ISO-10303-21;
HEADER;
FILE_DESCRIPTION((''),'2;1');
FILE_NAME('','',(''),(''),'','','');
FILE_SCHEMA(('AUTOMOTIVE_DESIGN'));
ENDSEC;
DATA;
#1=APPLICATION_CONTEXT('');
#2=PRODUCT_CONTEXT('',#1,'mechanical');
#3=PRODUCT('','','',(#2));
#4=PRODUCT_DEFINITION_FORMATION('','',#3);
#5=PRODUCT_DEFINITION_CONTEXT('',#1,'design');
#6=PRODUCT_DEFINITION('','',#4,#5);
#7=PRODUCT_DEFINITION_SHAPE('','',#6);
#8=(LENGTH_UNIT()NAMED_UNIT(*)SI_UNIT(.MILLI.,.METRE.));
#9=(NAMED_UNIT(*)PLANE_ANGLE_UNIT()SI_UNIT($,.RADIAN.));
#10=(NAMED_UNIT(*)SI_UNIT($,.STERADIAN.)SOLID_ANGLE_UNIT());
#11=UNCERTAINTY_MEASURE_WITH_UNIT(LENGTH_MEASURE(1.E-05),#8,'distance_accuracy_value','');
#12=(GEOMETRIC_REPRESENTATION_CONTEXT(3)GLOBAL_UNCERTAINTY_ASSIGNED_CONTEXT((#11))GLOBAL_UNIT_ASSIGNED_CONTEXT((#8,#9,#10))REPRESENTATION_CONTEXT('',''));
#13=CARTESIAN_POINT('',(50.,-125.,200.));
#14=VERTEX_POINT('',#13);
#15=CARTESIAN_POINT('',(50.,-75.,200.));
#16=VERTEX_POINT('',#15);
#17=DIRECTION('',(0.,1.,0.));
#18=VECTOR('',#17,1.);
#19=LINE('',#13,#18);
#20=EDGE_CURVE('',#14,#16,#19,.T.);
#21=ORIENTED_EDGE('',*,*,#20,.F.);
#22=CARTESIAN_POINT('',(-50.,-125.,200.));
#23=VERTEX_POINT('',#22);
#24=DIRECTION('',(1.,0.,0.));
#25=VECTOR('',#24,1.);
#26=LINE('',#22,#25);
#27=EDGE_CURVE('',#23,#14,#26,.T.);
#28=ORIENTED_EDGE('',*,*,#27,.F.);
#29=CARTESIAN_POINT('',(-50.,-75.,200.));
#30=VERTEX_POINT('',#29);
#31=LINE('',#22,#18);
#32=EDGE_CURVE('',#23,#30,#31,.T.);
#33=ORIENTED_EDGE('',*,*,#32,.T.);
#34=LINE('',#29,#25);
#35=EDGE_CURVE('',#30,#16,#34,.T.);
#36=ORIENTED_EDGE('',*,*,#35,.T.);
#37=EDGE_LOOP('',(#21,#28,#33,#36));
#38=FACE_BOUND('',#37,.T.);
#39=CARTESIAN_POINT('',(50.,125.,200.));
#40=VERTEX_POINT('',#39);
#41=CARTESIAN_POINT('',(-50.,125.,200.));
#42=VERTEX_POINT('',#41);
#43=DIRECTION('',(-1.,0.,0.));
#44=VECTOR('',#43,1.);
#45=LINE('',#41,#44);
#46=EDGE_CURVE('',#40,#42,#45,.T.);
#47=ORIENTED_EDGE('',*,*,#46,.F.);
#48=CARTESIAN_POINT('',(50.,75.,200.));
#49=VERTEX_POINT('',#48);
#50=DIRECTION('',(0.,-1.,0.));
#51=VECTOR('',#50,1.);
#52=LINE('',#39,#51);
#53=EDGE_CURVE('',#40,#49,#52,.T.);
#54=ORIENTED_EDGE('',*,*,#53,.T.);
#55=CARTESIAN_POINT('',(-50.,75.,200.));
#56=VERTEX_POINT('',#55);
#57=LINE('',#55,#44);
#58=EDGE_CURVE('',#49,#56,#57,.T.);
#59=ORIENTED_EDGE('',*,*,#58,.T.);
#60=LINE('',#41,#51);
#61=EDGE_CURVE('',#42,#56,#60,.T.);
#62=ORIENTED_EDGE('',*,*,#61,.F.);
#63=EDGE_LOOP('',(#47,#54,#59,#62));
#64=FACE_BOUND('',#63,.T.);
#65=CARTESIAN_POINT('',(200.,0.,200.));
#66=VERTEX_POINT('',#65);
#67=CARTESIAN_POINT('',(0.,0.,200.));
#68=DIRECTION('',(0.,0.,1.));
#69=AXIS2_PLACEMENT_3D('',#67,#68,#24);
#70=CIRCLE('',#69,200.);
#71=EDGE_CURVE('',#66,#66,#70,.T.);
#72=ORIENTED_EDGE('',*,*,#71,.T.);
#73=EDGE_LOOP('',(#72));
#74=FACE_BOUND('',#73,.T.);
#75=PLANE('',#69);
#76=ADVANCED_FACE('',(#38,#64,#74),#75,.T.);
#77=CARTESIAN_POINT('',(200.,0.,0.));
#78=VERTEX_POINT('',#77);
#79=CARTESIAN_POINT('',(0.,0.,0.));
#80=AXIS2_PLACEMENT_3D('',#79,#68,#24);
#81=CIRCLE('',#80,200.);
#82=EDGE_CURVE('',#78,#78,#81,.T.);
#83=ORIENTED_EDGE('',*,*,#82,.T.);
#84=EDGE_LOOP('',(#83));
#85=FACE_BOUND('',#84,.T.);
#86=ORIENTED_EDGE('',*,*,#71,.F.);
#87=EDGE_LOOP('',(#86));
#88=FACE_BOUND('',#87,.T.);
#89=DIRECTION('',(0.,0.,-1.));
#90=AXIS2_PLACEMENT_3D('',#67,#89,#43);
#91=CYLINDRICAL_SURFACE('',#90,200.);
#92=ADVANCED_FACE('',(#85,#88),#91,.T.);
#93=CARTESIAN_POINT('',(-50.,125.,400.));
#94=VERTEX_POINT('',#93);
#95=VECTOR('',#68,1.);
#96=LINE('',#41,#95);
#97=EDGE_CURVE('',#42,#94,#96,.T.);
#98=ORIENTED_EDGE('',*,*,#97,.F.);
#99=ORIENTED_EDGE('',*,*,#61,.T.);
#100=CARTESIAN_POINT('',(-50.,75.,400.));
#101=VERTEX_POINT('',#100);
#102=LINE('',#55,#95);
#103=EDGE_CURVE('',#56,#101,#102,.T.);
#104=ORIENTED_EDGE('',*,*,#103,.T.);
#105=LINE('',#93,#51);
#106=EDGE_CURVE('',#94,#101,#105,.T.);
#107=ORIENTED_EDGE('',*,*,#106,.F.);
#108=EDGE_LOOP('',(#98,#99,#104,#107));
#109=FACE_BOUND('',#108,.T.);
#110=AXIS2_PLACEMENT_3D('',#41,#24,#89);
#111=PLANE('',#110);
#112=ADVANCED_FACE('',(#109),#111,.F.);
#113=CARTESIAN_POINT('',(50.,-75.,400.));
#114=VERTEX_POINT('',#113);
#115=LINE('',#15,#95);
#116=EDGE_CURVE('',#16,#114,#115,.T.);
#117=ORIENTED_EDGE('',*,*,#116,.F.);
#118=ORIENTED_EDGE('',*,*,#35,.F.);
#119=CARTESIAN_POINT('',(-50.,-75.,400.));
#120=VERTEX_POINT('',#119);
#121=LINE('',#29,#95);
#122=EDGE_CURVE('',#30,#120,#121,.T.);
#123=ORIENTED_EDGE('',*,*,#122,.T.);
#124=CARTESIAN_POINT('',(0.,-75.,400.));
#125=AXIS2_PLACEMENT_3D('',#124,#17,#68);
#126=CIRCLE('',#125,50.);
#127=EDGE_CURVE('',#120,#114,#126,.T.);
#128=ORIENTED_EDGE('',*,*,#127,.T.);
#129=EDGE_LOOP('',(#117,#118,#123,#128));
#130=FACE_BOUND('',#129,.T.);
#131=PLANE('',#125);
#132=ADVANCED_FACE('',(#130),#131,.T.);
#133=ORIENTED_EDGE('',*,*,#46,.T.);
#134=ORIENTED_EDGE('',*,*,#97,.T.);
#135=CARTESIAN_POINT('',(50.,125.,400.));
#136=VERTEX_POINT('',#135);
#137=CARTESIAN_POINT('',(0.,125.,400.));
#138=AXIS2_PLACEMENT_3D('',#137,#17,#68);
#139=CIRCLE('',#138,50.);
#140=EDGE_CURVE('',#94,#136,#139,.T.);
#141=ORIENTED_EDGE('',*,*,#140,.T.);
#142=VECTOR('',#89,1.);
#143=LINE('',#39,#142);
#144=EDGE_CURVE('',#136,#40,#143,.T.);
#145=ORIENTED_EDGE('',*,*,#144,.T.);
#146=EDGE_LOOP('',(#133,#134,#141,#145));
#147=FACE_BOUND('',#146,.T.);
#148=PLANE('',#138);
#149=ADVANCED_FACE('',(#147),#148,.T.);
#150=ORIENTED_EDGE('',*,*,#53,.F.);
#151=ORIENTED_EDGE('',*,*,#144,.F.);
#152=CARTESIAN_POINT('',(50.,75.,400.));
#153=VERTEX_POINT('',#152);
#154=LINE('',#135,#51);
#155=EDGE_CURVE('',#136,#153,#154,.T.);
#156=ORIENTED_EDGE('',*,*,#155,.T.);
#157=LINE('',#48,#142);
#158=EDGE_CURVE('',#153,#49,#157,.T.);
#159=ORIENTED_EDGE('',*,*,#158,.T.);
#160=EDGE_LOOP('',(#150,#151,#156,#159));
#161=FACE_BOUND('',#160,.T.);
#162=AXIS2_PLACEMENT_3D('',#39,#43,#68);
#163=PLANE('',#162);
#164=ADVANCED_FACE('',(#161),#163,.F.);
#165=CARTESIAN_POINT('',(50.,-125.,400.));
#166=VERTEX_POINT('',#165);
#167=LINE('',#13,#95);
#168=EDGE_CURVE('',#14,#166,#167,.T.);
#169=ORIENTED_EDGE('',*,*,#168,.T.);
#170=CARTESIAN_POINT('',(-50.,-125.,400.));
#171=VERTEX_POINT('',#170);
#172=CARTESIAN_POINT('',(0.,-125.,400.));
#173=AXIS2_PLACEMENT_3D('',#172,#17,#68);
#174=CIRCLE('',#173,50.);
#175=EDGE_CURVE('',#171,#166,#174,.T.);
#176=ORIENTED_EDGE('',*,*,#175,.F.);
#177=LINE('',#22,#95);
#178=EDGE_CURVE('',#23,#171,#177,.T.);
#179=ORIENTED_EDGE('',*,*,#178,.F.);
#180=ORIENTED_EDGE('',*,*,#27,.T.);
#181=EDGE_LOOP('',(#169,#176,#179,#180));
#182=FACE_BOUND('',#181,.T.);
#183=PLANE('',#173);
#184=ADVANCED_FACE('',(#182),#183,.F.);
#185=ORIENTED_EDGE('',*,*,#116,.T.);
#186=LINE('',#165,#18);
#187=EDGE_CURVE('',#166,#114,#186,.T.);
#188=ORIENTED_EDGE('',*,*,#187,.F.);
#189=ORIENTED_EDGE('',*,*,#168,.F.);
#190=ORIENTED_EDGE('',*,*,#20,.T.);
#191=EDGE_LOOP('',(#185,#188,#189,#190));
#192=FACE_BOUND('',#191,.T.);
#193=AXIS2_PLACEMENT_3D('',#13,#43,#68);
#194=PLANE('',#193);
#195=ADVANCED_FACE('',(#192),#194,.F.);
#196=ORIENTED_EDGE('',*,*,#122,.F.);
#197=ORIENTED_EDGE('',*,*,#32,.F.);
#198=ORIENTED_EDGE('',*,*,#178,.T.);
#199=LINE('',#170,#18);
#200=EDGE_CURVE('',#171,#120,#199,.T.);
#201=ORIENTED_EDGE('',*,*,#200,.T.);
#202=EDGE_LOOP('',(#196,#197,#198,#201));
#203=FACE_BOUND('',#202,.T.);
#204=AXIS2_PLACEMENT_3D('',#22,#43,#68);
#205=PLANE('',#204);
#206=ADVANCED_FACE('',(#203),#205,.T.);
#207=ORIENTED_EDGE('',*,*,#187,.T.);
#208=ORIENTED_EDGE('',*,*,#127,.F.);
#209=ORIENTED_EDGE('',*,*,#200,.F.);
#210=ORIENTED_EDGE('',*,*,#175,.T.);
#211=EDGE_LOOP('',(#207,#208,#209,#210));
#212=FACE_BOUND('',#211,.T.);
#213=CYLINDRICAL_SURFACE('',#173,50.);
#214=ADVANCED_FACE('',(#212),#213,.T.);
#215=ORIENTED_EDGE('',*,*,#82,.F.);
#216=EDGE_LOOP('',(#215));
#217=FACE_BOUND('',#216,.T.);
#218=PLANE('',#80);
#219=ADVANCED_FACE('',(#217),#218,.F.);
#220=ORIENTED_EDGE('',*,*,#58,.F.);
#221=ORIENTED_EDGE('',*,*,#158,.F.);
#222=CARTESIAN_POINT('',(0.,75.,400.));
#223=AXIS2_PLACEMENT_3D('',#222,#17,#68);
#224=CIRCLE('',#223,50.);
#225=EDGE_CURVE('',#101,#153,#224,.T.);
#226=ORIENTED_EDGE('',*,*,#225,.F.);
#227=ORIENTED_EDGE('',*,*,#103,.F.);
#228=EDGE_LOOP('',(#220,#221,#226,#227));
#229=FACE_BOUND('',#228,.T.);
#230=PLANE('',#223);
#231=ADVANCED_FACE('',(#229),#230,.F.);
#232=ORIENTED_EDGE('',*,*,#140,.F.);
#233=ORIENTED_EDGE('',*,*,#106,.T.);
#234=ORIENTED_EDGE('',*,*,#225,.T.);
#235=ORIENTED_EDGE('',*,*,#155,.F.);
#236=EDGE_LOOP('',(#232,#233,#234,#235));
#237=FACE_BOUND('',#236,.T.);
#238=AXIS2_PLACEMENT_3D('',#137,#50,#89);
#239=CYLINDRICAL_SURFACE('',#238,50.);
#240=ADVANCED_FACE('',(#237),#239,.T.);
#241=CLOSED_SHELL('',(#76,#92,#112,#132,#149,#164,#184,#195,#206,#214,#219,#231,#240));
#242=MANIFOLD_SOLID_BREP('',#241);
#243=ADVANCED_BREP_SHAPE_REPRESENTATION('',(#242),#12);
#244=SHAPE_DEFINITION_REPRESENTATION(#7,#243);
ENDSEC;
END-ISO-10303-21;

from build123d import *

# Parameters (mm, degrees)
SKETCH1_R           = 200
BOSS_EXTRUDE1_DEPTH = 200
BOSS_EXTRUDE2_START = 75
BOSS_EXTRUDE2_DEPTH = 50
BOSS_EXTRUDE3_START = -125
BOSS_EXTRUDE3_DEPTH = 50


with BuildPart() as part:
    # Sketch1 → Boss-Extrude1 (new body)
    with BuildSketch(Plane.XY):
        Circle(SKETCH1_R)
    extrude(amount=BOSS_EXTRUDE1_DEPTH)

    # Sketch2 → Boss-Extrude2 (add)
    with BuildSketch(Plane(origin=(0, 0, 0), x_dir=(1, 0, 0), z_dir=(0, 1, 0)).offset(BOSS_EXTRUDE2_START)):
        with BuildLine():
            Line((-50, -200), (-50, -400))
            ThreePointArc((-50, -400), (0, -450), (50, -400))
            Line((50, -400), (50, -200))
            Line((50, -200), (-50, -200))
        make_face()
    extrude(amount=BOSS_EXTRUDE2_DEPTH)

    # Sketch2<2> → Boss-Extrude3 (add)
    with BuildSketch(Plane(origin=(0, 0, 0), x_dir=(1, 0, 0), z_dir=(0, 1, 0)).offset(BOSS_EXTRUDE3_START)):
        with BuildLine():
            Line((-50, -200), (-50, -400))
            ThreePointArc((-50, -400), (0, -450), (50, -400))
            Line((50, -400), (50, -200))
            Line((50, -200), (-50, -200))
        make_face()
    extrude(amount=BOSS_EXTRUDE3_DEPTH)


solid = part.part
